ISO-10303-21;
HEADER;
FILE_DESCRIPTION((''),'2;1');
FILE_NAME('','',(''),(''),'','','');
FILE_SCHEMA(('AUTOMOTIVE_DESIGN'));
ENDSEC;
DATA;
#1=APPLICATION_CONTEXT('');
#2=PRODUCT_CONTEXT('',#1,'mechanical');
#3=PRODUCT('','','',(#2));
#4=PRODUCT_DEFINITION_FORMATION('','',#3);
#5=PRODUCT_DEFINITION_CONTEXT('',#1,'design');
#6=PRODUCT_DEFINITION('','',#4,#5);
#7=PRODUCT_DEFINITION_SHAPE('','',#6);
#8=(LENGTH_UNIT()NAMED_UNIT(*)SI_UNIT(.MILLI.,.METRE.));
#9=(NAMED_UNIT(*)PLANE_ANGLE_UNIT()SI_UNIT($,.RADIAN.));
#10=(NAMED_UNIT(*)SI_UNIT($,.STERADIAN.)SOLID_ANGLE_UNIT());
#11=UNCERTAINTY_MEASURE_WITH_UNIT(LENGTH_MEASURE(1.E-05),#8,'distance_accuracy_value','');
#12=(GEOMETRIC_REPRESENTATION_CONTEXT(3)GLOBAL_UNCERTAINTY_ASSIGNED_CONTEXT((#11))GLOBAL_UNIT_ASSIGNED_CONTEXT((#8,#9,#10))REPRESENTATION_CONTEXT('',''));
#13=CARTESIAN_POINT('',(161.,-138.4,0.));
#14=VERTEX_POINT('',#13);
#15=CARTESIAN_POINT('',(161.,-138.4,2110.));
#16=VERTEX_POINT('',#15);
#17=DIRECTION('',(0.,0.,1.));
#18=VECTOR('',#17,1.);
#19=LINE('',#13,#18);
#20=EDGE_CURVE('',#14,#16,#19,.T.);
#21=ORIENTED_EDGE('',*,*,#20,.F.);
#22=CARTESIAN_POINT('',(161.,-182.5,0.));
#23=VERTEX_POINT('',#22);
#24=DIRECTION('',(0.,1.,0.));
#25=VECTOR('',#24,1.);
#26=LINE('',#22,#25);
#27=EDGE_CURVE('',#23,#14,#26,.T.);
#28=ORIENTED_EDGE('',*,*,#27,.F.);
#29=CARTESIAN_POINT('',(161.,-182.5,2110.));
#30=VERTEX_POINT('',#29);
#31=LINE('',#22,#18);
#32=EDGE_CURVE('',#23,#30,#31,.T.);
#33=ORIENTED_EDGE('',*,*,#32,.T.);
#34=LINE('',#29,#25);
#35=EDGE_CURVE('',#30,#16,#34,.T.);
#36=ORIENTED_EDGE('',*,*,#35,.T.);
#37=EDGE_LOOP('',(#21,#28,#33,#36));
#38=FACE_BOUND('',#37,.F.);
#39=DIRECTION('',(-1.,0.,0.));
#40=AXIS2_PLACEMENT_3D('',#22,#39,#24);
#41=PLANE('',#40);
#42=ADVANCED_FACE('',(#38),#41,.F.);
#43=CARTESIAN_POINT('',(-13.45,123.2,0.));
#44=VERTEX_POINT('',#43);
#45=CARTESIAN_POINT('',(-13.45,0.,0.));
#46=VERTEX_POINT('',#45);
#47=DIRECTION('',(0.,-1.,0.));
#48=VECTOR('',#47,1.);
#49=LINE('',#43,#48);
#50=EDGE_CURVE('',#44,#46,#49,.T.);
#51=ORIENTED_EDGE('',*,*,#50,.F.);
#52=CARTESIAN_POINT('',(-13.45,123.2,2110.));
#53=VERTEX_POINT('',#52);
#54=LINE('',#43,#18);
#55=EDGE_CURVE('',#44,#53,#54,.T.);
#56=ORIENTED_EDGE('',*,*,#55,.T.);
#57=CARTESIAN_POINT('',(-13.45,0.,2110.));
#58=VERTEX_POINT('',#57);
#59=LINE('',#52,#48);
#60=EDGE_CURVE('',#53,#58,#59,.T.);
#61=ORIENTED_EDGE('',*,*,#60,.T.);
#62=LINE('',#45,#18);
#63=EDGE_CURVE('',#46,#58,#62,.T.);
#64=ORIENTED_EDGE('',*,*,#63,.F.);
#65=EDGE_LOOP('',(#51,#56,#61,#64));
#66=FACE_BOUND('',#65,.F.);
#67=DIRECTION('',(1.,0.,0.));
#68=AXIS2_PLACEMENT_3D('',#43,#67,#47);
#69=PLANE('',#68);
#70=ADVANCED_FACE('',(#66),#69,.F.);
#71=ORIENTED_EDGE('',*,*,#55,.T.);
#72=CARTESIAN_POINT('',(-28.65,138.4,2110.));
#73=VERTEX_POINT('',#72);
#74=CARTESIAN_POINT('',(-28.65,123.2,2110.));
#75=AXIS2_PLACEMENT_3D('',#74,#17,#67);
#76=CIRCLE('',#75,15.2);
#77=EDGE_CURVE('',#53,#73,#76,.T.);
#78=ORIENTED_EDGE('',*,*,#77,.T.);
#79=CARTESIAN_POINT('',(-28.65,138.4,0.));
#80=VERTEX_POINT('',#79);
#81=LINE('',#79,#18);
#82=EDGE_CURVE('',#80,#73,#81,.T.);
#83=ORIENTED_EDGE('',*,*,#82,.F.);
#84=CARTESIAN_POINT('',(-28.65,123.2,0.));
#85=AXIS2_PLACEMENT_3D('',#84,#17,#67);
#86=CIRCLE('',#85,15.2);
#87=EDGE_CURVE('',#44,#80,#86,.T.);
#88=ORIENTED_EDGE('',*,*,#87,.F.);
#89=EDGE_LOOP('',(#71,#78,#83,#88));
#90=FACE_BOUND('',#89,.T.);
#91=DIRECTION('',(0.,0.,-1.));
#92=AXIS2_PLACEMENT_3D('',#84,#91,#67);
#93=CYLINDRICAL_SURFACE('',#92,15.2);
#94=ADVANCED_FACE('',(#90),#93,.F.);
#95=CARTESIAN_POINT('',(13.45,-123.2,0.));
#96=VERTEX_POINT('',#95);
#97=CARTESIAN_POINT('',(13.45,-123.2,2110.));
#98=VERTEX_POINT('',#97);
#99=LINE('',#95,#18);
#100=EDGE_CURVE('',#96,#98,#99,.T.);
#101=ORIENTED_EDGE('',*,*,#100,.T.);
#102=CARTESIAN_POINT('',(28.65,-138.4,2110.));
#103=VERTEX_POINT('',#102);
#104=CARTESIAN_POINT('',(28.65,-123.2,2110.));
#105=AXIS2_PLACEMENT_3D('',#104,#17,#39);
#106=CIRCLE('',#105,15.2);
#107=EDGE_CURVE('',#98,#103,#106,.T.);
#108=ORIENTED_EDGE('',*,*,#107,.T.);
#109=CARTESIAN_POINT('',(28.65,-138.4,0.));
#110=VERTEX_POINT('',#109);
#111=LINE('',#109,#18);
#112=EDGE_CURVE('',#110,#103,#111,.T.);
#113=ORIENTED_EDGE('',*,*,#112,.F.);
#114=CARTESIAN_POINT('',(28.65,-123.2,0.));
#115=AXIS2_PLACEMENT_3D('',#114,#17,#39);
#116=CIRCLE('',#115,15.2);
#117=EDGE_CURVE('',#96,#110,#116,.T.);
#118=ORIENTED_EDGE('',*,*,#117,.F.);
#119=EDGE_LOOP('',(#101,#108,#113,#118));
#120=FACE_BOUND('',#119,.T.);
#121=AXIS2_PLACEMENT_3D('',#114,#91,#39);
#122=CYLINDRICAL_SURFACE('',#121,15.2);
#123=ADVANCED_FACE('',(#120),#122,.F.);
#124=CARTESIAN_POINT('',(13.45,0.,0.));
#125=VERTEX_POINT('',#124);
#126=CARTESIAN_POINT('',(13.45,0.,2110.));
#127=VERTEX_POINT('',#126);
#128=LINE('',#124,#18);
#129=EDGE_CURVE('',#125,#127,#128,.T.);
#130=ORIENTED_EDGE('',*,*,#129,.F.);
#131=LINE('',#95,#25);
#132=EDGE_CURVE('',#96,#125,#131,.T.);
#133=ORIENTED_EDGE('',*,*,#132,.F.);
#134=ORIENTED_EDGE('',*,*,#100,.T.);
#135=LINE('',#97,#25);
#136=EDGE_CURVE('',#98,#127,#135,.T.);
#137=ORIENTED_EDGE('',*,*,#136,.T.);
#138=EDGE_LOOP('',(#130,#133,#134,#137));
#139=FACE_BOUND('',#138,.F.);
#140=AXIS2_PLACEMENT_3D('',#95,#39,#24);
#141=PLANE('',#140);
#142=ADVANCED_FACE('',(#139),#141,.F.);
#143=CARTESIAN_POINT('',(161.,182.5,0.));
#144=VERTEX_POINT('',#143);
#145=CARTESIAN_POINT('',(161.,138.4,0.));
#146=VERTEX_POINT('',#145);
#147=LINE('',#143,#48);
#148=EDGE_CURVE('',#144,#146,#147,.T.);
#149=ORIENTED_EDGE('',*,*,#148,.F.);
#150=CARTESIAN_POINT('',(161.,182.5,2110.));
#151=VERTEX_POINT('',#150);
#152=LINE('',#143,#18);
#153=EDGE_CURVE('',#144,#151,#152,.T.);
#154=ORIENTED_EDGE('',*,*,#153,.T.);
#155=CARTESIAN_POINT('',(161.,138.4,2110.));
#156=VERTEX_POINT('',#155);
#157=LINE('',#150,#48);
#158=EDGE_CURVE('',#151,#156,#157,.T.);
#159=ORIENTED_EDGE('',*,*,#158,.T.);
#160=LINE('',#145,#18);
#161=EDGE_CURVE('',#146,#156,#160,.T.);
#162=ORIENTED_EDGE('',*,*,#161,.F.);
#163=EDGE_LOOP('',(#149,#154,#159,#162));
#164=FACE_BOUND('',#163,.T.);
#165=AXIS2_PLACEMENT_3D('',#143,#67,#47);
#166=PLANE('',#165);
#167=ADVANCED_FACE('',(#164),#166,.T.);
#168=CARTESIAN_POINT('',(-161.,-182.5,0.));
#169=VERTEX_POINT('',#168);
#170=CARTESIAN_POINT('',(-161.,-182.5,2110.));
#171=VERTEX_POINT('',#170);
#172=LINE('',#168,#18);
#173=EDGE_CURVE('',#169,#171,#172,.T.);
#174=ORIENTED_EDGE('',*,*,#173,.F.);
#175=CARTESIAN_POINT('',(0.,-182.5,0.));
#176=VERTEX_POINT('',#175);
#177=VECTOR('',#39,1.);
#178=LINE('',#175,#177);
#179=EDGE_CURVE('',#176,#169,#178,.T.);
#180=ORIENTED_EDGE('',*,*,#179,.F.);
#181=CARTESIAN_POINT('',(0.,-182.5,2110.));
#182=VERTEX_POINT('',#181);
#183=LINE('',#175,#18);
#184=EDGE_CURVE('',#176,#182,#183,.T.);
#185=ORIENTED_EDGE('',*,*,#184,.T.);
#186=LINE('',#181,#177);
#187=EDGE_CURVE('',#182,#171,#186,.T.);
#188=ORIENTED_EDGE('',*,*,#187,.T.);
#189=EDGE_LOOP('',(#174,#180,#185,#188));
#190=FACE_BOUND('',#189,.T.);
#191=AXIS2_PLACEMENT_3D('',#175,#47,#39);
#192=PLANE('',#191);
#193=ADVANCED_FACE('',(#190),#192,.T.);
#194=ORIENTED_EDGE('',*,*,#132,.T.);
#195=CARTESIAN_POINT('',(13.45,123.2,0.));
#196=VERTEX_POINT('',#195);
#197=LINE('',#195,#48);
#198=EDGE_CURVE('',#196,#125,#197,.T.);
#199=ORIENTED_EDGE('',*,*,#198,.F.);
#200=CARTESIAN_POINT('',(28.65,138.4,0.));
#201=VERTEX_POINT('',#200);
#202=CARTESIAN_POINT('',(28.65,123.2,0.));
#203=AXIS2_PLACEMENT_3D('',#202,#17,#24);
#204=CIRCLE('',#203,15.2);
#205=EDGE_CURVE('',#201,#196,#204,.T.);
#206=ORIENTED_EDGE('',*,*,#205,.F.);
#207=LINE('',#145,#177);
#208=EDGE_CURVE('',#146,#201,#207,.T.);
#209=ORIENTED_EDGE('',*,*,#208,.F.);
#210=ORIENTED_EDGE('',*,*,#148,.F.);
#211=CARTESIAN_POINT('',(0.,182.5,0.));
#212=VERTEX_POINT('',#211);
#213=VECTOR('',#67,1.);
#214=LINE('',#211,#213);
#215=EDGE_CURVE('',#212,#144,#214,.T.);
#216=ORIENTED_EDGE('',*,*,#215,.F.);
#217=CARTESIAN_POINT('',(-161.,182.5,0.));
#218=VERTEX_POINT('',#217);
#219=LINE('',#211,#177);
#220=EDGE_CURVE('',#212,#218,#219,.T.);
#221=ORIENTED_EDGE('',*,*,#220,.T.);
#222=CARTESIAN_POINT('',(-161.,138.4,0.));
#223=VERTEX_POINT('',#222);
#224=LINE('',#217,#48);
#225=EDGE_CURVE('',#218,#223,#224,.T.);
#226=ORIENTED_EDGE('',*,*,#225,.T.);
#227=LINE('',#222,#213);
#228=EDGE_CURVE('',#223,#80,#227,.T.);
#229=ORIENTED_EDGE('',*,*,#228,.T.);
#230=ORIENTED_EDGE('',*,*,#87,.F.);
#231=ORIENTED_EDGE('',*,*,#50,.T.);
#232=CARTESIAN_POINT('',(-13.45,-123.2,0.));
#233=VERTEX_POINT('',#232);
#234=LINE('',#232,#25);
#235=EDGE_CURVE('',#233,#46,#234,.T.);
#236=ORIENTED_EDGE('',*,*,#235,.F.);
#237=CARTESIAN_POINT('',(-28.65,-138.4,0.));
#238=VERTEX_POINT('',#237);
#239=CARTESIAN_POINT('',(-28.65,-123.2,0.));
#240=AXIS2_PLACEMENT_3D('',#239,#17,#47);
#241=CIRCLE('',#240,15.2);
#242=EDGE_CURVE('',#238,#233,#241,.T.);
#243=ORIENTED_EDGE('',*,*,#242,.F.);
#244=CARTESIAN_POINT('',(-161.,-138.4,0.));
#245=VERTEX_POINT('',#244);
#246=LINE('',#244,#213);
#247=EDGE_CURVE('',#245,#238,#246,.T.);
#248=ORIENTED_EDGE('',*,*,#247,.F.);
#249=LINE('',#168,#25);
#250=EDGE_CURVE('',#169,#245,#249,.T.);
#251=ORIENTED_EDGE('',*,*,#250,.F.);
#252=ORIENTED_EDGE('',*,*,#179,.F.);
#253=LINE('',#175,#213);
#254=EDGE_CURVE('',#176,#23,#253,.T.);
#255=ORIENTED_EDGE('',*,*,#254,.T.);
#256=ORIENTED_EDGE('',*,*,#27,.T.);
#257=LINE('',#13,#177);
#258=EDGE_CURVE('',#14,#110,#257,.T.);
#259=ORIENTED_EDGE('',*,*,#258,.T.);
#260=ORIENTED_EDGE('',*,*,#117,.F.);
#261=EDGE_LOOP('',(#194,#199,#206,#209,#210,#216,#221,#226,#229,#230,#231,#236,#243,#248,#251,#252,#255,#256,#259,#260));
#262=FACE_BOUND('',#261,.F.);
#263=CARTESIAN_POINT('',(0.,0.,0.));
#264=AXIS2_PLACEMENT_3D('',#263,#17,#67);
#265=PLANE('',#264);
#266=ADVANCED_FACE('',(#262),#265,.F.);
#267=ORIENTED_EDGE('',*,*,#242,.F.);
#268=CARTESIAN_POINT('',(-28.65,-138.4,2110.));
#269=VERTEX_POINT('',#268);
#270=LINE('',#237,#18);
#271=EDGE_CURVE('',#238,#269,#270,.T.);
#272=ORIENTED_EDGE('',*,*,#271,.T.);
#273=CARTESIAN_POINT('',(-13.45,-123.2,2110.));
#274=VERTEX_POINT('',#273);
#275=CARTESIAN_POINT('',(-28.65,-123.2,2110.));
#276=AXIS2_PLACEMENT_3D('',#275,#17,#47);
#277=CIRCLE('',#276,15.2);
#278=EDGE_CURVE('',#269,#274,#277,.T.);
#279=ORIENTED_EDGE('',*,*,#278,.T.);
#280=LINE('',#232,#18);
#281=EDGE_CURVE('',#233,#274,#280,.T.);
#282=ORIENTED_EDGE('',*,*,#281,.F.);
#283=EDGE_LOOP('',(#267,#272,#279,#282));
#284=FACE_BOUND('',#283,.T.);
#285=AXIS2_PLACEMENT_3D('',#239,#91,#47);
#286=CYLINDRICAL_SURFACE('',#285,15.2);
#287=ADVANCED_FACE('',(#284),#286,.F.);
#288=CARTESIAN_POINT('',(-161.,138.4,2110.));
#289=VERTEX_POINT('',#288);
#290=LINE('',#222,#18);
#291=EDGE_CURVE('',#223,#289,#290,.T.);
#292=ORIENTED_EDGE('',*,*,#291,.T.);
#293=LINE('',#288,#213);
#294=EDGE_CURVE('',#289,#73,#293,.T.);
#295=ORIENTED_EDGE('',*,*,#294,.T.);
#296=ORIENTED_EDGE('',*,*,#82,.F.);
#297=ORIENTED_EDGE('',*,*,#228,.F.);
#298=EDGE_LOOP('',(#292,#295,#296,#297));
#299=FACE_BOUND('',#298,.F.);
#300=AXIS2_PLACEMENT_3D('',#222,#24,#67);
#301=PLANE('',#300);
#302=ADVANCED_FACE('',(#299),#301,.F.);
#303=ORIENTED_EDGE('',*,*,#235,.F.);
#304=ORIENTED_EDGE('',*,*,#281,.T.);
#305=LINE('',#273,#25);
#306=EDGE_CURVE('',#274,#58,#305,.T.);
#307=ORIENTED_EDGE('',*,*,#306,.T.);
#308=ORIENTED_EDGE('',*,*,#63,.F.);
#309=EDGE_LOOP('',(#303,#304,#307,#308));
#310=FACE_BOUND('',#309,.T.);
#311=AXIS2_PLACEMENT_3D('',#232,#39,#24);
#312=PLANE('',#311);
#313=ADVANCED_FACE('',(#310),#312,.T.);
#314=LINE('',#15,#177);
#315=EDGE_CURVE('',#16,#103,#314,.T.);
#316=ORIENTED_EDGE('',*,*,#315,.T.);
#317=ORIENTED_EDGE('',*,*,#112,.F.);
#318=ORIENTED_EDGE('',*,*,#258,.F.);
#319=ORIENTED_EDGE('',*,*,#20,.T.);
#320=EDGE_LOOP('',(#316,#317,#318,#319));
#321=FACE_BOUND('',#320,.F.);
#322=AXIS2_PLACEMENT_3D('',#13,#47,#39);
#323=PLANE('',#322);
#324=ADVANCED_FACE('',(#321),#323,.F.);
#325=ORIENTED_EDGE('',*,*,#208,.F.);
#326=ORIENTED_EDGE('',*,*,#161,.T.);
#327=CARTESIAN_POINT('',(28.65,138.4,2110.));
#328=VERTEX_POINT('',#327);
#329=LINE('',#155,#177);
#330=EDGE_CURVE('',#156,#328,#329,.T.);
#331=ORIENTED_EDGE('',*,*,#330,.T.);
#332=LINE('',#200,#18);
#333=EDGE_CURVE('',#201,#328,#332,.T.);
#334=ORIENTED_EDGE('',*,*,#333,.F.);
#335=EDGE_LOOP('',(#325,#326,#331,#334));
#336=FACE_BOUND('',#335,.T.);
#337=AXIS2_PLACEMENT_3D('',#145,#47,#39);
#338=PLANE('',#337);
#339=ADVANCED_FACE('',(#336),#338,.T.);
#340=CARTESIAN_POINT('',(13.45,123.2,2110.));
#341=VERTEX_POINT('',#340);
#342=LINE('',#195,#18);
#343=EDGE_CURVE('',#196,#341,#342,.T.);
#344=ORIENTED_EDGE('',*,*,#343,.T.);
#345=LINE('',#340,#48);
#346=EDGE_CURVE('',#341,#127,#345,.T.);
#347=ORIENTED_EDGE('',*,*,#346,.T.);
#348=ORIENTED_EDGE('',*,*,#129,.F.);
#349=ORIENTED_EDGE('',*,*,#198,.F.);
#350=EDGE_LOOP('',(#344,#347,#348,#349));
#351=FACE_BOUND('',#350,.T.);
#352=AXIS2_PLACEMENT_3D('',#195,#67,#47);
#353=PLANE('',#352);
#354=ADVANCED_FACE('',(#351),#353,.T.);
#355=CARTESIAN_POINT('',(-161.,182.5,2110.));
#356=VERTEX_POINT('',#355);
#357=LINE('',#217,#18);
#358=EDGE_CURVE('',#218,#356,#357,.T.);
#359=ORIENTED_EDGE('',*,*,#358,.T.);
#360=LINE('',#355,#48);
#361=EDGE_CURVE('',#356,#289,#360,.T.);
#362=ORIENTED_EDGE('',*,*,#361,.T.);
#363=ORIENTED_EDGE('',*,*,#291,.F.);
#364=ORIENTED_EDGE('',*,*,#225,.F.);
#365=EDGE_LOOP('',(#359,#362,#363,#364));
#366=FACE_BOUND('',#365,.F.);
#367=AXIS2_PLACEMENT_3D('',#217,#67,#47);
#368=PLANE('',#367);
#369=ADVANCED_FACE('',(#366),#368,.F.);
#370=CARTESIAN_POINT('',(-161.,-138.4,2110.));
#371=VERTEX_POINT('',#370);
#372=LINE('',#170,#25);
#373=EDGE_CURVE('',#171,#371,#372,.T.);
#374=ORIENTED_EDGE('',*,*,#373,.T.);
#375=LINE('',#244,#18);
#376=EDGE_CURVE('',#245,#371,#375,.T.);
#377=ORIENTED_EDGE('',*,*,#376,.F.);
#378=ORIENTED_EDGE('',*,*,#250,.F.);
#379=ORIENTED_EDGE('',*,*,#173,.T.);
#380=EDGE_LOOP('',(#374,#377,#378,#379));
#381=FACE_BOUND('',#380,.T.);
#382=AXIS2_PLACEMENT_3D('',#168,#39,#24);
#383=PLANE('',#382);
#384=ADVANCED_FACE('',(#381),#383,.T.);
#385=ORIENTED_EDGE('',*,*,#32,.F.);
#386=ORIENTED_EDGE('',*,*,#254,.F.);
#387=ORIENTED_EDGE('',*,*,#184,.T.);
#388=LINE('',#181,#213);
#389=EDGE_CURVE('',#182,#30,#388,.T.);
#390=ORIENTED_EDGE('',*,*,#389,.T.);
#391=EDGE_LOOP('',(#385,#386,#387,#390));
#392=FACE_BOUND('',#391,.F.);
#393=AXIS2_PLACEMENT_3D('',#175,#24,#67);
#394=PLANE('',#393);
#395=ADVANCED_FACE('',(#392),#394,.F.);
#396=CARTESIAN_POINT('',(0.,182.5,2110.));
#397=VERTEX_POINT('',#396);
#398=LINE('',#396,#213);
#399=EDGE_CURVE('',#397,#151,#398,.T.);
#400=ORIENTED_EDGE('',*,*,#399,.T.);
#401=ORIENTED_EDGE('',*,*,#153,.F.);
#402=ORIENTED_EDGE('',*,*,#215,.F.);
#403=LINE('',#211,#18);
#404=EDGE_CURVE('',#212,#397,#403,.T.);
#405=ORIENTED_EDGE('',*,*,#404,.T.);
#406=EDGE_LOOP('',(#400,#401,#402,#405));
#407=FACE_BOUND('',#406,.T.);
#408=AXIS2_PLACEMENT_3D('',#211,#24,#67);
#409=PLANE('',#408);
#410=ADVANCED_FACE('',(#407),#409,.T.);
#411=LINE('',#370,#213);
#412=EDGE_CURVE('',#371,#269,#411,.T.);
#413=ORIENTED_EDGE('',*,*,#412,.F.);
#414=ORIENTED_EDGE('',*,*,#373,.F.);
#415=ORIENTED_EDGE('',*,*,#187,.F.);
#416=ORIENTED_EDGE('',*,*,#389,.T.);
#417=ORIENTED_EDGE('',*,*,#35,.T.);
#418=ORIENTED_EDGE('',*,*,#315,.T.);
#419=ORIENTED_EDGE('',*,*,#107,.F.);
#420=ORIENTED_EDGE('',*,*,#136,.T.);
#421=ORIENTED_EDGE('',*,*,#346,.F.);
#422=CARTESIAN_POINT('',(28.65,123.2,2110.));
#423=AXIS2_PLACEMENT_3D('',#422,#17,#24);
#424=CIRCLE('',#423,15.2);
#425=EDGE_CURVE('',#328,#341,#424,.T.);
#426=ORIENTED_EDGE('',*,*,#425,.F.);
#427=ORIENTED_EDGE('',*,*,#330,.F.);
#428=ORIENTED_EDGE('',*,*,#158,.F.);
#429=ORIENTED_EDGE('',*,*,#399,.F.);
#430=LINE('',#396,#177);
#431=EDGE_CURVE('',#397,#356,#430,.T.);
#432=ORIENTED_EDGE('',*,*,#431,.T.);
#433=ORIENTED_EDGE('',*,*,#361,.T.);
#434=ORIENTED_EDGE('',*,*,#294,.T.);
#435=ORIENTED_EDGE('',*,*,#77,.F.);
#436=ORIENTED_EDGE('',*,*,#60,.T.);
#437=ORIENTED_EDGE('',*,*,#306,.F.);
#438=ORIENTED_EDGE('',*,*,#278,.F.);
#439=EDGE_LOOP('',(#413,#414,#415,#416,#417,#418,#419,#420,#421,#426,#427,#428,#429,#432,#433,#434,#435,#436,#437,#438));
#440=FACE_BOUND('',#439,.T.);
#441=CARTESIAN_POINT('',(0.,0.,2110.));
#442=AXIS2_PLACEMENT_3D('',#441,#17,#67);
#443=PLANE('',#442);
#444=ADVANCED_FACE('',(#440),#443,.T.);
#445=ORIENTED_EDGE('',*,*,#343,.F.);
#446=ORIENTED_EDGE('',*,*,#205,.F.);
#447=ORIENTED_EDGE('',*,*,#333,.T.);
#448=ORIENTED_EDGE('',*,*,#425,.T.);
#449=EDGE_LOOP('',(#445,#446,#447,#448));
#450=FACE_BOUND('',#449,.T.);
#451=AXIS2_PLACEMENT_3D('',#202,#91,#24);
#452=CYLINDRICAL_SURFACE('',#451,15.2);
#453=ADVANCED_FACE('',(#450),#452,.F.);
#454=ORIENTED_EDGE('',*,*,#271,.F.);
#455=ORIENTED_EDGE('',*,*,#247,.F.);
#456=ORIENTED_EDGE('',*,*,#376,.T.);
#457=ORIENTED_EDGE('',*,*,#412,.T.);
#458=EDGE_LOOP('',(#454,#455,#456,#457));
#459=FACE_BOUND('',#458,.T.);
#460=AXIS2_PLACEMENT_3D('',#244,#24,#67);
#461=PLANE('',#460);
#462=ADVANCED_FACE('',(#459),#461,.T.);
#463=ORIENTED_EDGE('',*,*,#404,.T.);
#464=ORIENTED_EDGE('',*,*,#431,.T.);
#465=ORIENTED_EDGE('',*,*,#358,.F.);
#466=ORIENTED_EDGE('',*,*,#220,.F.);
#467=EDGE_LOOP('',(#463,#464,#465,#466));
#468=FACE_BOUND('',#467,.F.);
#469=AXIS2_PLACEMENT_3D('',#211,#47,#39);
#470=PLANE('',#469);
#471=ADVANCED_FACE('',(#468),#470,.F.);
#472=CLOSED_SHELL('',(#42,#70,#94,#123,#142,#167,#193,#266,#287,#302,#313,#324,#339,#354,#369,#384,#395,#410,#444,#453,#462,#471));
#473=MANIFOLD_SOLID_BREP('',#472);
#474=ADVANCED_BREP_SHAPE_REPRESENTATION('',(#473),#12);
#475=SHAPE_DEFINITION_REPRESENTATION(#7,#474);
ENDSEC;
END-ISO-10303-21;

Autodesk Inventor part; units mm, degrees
ref_plane "YZ Plane" through (0, 0, 0) normal (1, 0, 0) x (0, 1, 0)
ref_plane "Start plane" through (0, 0, 0) normal (0, 0, 1) x (1, 0, 0)
ref_plane "End plane" through (0, 0, 2110) normal (0, 0, 1) x (1, 0, 0)
sketch "Sketch" plane through (0, 0, 0) normal (0, 0, 1) x (1, 0, 0)
  line L0 (-161, -182.5) -> (-161, -138.4)
  line L1 (-161, -138.4) -> (-28.65, -138.4)
  line L2 (-13.45, -123.2) -> (-13.45, 0)
  line L3 (-13.45, 0) -> (0, 0) construction
  line L4 (0, 0) -> (0, -182.5) construction
  line L5 (0, -182.5) -> (-161, -182.5)
  line L6 (-60, 0) -> (80, 0) construction
  line L7 (0, -60) -> (0, 80) construction
  line L8 (161, -182.5) -> (161, -138.4)
  line L9 (161, -138.4) -> (28.65, -138.4)
  line L10 (13.45, -123.2) -> (13.45, 0)
  line L11 (13.45, 0) -> (0, 0) construction
  line L12 (0, -182.5) -> (161, -182.5)
  line L13 (-161, 182.5) -> (-161, 138.4)
  line L14 (-161, 138.4) -> (-28.65, 138.4)
  line L15 (-13.45, 123.2) -> (-13.45, 0)
  line L16 (0, 182.5) -> (-161, 182.5)
  line L17 (161, 182.5) -> (161, 138.4)
  line L18 (161, 138.4) -> (28.65, 138.4)
  line L19 (0, 182.5) -> (161, 182.5)
  line L20 (13.45, 123.2) -> (13.45, 0)
  arc A0 (-13.45, 123.2) -> (-28.65, 138.4) centre (-28.65, 123.2) ccw
  arc A1 (28.65, 138.4) -> (13.45, 123.2) centre (28.65, 123.2) ccw
  arc A2 (13.45, -123.2) -> (28.65, -138.4) centre (28.65, -123.2) ccw
  arc A3 (-28.65, -138.4) -> (-13.45, -123.2) centre (-28.65, -123.2) ccw
  line L21 (0, 108) -> (0, -88) construction
  line L22 (-88, 0) -> (108, 0) construction
  point P0 (-13.45, -138.4)
  point P1 (13.45, -138.4)
  point P2 (-13.45, 138.4)
  point P3 (13.45, 138.4)
  dimension "d1" = 182.5
  dimension "d2" = 44.1
  dimension "d3" = 161
  dimension "d4" = 13.45
  dimension "d10" = 15.2
extrude "Body" add sketch "Sketch" along normal up to surface (2110 mm away) from surface at 0
sketch "Sketch4" plane through (0, 0, 0) normal (0, 0, 1) x (1, 0, 0)
  line L0 (0, 0) -> (10, 0)
ref_plane "Work Plane3" through (0, 0, 0) normal (0, -1, 0) x (1, 0, 0)
sketch "Sketch5" plane through (0, 0, 0) normal (0, -1, 0) x (1, 0, 0)
  line L0 (-2, 0) -> (12, 0) projected
  line L1 (-2, 2110) -> (12, 2110) projected
  dimension "d14" = 2110
equation "\"d1\" = 0.5 * G_H"
equation "\"d2\" = G_T1"
equation "\"d3\" = 0.5 * G_W"
equation "\"d4\" = 0.5 * G_T"
equation "\"d10\" = G_IR"
equation "\"d5\" = G_L"
equation "\"G_W\" = 322"
equation "\"G_H\" = 365"
equation "\"G_T\" = 26.9"
equation "\"G_T1\" = 44.1"
equation "\"G_IR\" = 15.2"
equation "\"G_L\" = d14"
equation "\"G_OFFSET_START\" = 0"
equation "\"G_OFFSET_END\" = 0"
properties part number "AS 3679 - 310 UC - 283 - 2110" material "Steel, Mild"
